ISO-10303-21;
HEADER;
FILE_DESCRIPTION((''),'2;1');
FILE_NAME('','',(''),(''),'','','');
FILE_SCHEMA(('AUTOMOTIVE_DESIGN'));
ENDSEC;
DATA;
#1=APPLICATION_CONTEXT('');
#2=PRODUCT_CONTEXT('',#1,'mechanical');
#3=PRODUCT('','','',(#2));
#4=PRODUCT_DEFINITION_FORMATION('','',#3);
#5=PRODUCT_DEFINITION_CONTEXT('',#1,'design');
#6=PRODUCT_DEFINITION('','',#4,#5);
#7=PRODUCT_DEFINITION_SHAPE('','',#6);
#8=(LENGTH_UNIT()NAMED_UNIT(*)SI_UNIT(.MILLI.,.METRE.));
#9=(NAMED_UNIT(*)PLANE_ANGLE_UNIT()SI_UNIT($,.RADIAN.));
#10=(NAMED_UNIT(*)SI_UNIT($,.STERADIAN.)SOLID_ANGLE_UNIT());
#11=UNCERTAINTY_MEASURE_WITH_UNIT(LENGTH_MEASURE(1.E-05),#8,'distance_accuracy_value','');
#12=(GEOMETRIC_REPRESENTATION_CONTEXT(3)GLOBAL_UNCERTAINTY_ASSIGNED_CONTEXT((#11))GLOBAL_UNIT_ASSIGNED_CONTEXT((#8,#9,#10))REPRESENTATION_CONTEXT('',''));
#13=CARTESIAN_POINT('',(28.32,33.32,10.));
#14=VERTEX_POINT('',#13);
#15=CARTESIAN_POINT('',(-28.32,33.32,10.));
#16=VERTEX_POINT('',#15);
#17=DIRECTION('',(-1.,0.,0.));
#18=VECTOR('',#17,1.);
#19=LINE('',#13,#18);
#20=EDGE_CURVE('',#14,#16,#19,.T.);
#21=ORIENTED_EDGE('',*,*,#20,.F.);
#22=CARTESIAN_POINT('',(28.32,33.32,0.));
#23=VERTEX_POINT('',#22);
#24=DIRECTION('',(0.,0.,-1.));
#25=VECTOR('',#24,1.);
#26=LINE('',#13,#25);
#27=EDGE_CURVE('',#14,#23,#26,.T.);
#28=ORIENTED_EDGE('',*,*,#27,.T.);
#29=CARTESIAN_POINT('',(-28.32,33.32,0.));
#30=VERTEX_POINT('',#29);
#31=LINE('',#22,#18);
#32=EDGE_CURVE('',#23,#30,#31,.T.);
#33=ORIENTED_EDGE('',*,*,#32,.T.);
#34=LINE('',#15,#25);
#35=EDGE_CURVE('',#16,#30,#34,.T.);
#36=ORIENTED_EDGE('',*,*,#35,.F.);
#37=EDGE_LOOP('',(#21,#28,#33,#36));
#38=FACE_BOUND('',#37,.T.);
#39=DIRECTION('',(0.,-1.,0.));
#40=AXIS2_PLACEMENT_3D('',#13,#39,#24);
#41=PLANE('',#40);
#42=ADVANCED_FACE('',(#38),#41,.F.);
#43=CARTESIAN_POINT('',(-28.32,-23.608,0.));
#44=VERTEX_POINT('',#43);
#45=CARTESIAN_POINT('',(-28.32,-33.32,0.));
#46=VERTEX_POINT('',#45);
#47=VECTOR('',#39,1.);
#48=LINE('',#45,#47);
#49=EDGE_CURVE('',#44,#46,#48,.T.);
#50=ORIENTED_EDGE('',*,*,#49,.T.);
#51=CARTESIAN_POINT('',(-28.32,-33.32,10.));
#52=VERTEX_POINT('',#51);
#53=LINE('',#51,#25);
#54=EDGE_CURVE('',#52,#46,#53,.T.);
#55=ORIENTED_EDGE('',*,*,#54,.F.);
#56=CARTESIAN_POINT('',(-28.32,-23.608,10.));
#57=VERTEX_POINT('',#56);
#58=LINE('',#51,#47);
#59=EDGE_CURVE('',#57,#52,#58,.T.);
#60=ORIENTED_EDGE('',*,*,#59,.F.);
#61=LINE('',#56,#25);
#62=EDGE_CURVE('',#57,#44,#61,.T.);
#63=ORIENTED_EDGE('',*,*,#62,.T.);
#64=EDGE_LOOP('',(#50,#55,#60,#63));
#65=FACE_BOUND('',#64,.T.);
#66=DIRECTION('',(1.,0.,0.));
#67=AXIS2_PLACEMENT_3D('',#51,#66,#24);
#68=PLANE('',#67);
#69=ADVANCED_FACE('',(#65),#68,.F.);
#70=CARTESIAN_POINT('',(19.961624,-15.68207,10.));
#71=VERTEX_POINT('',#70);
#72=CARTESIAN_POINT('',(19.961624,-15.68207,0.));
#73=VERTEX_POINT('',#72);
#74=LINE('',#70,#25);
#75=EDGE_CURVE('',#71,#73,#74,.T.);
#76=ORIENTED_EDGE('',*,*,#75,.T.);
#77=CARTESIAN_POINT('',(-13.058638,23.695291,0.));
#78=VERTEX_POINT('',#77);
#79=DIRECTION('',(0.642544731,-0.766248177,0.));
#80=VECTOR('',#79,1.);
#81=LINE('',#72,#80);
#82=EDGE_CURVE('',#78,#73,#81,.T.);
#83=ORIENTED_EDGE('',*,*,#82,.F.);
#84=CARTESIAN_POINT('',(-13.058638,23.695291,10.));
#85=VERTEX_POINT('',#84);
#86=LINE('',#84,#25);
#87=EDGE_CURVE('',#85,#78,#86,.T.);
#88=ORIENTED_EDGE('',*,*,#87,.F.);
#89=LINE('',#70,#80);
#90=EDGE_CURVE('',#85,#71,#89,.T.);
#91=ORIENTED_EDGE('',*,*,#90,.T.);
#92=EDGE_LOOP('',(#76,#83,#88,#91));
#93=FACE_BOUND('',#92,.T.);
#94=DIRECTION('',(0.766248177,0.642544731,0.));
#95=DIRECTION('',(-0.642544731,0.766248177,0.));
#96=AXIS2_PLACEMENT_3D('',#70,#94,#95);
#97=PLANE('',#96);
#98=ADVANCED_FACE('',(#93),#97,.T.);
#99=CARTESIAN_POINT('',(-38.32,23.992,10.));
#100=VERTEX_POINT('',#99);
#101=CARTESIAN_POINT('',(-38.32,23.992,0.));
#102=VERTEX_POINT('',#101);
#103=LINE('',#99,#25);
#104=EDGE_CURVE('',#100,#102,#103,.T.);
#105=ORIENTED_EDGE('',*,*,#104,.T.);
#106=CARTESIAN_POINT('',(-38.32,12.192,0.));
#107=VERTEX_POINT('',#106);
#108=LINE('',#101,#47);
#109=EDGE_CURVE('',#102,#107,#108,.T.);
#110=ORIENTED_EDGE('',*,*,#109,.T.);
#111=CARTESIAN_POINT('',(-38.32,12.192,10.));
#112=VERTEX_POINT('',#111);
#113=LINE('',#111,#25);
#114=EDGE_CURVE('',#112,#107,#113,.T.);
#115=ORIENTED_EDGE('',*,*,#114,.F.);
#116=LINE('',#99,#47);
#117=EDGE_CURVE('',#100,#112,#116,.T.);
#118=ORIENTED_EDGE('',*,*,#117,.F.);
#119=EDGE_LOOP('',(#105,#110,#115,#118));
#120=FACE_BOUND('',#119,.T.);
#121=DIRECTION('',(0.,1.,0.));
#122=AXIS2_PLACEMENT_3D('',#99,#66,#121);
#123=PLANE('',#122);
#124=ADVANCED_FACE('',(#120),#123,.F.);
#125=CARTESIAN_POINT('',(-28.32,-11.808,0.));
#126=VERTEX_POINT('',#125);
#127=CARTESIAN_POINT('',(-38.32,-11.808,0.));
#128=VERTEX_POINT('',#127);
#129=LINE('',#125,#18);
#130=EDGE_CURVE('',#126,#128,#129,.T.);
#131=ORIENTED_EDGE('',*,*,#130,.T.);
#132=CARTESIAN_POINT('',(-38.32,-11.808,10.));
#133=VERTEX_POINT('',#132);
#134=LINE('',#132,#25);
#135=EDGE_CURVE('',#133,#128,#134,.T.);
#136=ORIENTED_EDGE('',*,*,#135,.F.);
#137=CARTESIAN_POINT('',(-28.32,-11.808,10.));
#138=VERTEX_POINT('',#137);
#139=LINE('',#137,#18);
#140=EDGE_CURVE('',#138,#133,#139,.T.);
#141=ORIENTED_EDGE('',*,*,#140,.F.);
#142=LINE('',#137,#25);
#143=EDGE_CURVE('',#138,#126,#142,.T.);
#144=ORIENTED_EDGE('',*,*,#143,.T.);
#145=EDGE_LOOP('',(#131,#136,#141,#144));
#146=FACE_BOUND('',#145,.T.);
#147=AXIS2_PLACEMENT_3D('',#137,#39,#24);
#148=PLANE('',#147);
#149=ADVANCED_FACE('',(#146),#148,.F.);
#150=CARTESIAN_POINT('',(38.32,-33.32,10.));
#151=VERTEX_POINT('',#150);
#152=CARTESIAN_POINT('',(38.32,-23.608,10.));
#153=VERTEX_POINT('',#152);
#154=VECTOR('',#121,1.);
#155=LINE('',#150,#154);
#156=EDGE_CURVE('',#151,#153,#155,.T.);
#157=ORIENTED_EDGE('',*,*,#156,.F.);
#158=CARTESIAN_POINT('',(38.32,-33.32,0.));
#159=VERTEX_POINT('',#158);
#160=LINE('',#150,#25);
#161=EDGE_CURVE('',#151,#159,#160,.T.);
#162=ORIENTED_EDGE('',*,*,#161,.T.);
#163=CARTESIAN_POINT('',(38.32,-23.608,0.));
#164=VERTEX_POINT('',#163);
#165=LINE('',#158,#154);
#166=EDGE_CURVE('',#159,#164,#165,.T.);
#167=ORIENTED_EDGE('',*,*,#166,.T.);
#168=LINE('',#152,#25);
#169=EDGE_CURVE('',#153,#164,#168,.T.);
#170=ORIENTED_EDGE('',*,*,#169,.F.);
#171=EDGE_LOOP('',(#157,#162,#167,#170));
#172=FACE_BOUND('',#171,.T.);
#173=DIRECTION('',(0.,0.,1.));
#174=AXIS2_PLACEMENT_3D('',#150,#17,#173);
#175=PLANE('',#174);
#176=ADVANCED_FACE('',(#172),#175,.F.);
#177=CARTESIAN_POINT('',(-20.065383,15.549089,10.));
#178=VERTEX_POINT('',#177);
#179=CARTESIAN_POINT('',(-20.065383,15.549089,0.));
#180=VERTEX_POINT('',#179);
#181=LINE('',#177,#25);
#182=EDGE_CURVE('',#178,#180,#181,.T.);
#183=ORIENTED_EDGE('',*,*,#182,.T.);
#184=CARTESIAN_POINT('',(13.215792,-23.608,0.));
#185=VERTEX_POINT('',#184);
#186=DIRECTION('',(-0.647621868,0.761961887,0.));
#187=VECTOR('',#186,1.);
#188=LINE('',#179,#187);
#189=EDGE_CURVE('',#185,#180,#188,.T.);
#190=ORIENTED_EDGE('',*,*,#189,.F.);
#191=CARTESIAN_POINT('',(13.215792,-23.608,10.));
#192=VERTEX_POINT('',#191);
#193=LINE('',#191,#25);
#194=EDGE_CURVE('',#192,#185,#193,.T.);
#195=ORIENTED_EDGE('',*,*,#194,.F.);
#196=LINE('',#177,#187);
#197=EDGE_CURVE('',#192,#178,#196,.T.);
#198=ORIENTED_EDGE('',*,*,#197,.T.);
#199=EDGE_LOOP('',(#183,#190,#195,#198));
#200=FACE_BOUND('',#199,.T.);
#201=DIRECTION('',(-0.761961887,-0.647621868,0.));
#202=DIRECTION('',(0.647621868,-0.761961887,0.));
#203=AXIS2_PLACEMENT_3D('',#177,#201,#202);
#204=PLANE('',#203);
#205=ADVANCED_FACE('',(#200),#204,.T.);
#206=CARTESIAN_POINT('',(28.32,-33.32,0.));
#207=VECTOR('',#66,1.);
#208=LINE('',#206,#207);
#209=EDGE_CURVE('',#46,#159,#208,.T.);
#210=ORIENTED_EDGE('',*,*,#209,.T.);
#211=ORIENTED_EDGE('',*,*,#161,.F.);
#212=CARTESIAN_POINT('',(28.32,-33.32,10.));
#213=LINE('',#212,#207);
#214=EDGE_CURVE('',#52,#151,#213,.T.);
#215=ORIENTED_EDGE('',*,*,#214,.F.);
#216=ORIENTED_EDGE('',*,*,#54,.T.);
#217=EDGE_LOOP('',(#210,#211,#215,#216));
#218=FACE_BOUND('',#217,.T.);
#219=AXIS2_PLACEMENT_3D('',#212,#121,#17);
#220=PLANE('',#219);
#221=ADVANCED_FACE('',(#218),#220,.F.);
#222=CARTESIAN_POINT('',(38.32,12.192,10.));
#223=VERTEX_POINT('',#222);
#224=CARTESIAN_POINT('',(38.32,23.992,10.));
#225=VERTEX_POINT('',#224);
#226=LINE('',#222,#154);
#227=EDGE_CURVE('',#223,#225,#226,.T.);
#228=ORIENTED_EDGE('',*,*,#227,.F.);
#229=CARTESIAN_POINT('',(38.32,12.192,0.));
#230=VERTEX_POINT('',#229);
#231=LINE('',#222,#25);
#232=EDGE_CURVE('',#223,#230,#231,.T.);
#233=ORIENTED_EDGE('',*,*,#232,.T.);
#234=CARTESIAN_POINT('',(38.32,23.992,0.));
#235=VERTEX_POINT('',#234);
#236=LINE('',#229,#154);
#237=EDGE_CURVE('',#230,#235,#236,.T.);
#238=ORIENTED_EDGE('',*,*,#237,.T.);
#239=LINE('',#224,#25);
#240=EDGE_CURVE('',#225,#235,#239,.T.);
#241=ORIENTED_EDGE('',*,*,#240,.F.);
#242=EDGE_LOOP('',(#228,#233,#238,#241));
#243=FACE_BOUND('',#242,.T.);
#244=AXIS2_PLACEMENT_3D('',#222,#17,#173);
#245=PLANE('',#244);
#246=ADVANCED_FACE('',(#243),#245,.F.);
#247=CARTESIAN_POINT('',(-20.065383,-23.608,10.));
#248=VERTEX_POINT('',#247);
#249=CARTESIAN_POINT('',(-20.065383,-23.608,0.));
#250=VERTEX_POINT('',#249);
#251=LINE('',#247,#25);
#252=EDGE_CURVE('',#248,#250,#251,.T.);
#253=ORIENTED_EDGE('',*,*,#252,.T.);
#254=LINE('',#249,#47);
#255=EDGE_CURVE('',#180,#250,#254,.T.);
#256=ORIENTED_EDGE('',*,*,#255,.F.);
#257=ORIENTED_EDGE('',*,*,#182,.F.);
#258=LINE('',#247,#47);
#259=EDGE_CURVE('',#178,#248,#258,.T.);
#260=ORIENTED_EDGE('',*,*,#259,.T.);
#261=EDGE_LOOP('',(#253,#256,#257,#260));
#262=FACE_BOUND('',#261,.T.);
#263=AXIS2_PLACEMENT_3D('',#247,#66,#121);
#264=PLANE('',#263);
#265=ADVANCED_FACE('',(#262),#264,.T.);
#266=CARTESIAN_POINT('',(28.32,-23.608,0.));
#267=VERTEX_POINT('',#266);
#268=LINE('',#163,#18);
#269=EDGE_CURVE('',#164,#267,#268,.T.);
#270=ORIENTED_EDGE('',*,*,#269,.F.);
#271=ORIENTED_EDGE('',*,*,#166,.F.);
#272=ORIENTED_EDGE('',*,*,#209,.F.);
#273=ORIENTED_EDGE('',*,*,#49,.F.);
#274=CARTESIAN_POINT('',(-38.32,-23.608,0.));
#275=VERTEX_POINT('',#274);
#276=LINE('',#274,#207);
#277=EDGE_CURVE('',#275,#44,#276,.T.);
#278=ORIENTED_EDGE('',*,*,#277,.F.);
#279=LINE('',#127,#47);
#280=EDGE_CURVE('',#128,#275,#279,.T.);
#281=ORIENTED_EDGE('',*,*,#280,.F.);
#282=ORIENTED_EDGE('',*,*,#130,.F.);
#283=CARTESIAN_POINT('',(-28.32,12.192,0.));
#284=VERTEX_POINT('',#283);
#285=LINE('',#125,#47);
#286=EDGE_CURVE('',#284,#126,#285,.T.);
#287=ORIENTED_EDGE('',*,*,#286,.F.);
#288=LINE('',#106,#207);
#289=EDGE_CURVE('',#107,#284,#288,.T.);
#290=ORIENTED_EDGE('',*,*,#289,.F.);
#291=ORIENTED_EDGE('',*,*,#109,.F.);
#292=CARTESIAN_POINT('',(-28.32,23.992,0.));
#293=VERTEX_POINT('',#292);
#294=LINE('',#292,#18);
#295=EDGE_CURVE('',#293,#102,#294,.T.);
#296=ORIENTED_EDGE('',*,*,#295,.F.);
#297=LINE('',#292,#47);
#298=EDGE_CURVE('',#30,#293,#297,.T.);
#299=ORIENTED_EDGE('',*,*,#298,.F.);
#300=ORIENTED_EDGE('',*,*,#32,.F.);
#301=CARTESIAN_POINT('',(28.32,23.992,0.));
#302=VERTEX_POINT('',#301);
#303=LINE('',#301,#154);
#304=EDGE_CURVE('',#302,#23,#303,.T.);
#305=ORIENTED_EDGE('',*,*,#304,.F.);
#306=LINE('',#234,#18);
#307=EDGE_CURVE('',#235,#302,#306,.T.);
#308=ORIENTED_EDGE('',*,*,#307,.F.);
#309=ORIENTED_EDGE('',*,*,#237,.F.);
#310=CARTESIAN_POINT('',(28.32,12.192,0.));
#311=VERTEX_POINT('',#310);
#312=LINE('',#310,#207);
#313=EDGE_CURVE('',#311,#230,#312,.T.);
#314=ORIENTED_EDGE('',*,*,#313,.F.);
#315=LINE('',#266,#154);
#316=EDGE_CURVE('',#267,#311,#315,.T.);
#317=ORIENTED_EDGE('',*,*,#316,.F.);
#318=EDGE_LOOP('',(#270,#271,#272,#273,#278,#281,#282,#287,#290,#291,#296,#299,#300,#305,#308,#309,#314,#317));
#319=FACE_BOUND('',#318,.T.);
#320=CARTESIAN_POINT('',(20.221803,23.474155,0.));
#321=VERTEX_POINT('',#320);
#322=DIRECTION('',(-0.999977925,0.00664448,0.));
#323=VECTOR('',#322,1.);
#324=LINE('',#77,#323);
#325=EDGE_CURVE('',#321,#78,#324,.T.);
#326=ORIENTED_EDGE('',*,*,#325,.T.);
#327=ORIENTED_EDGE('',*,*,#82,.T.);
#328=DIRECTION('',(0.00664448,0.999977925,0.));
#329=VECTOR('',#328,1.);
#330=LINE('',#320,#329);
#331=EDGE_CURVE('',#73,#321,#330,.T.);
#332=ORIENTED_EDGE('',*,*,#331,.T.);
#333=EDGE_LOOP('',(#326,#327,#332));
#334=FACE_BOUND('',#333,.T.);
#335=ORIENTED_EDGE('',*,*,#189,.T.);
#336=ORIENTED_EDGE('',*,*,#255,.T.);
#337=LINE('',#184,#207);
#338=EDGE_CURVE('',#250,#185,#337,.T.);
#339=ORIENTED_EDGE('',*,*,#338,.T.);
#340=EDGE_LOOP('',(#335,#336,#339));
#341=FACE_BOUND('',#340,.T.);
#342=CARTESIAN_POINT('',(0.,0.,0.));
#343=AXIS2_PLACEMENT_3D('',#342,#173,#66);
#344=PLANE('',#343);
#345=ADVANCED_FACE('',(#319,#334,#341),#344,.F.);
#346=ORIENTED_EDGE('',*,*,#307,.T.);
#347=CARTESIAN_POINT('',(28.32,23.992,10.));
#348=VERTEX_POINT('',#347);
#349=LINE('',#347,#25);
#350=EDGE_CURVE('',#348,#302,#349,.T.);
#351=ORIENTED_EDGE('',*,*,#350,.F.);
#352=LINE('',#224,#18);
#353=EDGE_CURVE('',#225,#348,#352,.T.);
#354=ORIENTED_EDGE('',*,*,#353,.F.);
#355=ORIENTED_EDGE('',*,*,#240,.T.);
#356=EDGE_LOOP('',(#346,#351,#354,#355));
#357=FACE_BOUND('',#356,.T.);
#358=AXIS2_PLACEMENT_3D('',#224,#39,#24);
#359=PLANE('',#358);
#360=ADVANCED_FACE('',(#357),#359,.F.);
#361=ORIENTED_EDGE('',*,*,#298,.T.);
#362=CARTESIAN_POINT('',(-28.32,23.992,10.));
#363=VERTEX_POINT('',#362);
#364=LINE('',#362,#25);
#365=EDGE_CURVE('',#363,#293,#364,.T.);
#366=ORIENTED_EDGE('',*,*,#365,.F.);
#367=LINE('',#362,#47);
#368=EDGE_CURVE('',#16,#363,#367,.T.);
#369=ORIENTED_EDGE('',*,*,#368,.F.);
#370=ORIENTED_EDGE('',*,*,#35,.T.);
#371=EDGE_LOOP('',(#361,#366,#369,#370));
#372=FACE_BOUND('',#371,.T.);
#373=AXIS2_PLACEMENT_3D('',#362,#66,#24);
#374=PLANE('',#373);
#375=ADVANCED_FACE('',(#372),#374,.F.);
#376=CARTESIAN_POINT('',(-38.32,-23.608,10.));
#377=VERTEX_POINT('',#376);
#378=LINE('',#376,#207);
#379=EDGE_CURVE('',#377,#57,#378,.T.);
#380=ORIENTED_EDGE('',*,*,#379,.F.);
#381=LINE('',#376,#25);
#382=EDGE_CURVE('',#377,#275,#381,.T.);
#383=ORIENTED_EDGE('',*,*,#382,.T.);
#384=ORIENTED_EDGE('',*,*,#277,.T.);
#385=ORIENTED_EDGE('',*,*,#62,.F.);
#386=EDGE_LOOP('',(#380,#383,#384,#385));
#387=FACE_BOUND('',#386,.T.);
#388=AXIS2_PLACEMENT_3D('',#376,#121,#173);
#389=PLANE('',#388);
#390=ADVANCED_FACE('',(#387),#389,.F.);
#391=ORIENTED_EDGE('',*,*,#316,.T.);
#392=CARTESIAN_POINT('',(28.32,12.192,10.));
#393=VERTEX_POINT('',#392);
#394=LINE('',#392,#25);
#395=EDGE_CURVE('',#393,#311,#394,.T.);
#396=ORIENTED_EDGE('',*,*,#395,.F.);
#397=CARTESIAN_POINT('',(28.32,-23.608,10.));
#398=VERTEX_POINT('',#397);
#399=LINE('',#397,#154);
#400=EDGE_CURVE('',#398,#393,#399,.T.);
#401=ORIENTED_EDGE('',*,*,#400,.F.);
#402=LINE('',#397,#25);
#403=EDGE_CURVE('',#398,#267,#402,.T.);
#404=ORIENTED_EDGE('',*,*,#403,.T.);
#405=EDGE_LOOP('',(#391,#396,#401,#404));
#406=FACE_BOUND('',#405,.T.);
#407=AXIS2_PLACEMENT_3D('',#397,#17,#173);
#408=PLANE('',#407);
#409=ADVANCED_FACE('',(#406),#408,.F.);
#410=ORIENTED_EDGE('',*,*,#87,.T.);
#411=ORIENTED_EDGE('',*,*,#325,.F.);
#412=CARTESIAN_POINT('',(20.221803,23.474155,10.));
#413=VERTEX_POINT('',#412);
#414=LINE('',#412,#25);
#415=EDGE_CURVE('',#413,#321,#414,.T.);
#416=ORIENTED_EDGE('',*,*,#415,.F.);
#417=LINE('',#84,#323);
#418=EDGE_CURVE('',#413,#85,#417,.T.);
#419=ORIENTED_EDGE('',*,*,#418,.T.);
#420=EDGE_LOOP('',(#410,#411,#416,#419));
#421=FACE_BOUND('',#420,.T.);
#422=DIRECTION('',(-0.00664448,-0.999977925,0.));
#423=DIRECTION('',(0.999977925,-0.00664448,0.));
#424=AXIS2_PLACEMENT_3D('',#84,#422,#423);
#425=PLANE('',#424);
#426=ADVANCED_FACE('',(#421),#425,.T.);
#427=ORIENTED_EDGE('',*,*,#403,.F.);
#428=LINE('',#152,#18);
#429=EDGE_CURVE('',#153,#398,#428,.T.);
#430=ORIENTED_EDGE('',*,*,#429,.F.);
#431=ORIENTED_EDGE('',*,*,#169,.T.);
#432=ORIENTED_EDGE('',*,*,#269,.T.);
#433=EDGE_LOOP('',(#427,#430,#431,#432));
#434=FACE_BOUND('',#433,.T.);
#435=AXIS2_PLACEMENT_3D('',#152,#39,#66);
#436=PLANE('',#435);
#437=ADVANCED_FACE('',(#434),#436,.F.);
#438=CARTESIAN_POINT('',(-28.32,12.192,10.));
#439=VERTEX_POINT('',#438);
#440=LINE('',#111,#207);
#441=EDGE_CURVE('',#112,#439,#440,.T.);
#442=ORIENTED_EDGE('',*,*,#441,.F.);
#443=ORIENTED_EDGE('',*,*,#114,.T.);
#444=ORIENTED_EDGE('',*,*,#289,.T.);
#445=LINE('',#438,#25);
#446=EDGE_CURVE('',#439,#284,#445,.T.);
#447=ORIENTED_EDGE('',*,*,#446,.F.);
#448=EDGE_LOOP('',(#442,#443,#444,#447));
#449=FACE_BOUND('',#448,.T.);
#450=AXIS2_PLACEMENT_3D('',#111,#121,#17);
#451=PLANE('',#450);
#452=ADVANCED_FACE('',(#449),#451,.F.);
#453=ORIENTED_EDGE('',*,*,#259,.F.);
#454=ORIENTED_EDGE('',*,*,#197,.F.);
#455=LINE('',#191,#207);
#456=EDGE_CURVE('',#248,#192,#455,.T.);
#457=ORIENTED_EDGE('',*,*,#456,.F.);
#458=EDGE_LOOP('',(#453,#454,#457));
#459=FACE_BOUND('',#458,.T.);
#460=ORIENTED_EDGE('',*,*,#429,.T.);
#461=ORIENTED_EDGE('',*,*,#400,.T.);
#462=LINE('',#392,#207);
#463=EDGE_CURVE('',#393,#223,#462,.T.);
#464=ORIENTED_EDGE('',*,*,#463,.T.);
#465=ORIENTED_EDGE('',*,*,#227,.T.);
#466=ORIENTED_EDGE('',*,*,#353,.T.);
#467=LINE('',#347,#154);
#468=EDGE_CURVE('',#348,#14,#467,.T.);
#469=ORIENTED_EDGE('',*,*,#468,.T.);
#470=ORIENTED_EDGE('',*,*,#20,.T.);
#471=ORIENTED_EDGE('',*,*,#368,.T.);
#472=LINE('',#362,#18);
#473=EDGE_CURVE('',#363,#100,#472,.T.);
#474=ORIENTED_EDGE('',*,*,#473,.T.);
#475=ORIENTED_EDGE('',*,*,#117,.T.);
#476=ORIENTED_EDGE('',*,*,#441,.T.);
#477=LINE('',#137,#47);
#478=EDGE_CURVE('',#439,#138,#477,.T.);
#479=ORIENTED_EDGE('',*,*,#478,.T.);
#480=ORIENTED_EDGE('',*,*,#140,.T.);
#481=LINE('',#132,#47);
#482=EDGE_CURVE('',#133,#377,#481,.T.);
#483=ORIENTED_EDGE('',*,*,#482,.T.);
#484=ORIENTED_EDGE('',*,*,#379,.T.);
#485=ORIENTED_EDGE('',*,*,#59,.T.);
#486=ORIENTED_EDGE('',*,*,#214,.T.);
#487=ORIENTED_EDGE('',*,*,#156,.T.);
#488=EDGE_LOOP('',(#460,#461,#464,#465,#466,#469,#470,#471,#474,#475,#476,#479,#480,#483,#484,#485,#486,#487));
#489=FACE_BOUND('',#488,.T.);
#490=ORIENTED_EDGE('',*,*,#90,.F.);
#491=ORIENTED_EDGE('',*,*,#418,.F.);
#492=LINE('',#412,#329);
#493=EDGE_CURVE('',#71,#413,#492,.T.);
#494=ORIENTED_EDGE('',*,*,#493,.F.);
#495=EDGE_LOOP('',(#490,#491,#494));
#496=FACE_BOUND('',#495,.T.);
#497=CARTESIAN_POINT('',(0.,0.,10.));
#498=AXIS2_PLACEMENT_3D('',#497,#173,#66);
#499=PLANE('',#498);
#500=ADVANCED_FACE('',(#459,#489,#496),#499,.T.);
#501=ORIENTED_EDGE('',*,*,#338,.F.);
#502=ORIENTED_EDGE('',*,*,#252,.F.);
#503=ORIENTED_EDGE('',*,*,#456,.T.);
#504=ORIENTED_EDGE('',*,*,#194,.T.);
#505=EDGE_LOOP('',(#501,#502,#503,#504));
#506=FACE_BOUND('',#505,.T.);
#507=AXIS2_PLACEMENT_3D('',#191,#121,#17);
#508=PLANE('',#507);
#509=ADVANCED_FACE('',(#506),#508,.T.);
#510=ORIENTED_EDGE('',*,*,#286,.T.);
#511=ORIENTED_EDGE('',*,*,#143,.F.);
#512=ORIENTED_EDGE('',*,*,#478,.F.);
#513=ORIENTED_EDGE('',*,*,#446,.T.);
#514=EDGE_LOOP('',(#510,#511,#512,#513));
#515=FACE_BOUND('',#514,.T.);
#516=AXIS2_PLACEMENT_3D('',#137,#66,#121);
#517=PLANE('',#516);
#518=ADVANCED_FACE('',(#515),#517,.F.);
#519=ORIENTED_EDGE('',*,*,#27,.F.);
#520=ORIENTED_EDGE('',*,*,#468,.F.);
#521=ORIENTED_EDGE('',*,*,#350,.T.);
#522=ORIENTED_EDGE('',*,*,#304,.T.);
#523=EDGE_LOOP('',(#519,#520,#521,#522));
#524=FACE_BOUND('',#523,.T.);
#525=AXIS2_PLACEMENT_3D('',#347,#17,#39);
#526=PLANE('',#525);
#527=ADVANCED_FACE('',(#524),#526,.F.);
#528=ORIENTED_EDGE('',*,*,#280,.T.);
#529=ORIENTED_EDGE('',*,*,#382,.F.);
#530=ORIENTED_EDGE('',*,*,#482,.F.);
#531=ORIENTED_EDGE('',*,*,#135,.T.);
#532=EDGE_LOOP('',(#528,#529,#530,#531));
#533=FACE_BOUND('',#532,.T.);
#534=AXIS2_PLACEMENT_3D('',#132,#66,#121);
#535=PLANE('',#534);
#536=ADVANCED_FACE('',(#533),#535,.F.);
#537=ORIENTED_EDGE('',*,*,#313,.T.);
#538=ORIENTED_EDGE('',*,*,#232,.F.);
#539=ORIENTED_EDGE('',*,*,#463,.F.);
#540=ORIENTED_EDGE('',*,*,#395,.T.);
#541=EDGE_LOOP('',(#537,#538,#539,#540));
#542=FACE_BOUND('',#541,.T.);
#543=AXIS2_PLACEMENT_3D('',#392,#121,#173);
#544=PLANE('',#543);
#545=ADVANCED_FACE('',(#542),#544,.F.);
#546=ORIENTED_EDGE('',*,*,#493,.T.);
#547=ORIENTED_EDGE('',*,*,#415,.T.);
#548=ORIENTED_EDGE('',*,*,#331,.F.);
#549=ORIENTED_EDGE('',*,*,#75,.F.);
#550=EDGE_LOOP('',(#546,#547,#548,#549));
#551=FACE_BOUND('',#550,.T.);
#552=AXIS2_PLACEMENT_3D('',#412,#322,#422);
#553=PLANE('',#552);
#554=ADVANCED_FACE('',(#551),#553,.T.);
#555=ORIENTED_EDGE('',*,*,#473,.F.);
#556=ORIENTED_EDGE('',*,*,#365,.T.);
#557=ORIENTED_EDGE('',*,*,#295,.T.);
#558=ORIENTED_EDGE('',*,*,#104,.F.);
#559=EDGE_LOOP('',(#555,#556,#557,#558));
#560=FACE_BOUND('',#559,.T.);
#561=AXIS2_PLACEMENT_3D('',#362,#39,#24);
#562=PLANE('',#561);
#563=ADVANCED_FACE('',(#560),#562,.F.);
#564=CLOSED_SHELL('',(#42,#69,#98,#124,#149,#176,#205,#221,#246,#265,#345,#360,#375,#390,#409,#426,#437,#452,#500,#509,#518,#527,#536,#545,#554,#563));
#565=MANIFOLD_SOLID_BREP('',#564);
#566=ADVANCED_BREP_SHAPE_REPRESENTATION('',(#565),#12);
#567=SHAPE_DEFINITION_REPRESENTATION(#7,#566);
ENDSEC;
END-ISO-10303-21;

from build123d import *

# Parameters (mm, degrees)
EXTRUDE_1_DEPTH = 10


with BuildPart() as part:
    # 草图1 → 凸台-拉伸1 (new body)
    with BuildSketch(Plane.XY):
        Polygon((-28.32, 23.992), (-38.32, 23.992), (-38.32, 12.192), (-28.32, 12.192), (-28.32, -11.808), (-38.32, -11.808), (-38.32, -23.608), (-28.32, -23.608), (-28.32, -33.32), (28.32, -33.32), (38.32, -33.32), (38.32, -23.608), (28.32, -23.608), (28.32, 12.192), (38.32, 12.192), (38.32, 23.992), (28.32, 23.992), (28.32, 33.32), (-28.32, 33.32), align=None)
        Polygon((-20.065382953, 15.549088882), (13.215792231, -23.608), (-20.065382953, -23.608), align=None, mode=Mode.SUBTRACT)
        Polygon((19.961624404, -15.682069675), (-13.058637611, 23.695290925), (20.221802898, 23.474154822), align=None, mode=Mode.SUBTRACT)
    extrude(amount=EXTRUDE_1_DEPTH)


solid = part.part
